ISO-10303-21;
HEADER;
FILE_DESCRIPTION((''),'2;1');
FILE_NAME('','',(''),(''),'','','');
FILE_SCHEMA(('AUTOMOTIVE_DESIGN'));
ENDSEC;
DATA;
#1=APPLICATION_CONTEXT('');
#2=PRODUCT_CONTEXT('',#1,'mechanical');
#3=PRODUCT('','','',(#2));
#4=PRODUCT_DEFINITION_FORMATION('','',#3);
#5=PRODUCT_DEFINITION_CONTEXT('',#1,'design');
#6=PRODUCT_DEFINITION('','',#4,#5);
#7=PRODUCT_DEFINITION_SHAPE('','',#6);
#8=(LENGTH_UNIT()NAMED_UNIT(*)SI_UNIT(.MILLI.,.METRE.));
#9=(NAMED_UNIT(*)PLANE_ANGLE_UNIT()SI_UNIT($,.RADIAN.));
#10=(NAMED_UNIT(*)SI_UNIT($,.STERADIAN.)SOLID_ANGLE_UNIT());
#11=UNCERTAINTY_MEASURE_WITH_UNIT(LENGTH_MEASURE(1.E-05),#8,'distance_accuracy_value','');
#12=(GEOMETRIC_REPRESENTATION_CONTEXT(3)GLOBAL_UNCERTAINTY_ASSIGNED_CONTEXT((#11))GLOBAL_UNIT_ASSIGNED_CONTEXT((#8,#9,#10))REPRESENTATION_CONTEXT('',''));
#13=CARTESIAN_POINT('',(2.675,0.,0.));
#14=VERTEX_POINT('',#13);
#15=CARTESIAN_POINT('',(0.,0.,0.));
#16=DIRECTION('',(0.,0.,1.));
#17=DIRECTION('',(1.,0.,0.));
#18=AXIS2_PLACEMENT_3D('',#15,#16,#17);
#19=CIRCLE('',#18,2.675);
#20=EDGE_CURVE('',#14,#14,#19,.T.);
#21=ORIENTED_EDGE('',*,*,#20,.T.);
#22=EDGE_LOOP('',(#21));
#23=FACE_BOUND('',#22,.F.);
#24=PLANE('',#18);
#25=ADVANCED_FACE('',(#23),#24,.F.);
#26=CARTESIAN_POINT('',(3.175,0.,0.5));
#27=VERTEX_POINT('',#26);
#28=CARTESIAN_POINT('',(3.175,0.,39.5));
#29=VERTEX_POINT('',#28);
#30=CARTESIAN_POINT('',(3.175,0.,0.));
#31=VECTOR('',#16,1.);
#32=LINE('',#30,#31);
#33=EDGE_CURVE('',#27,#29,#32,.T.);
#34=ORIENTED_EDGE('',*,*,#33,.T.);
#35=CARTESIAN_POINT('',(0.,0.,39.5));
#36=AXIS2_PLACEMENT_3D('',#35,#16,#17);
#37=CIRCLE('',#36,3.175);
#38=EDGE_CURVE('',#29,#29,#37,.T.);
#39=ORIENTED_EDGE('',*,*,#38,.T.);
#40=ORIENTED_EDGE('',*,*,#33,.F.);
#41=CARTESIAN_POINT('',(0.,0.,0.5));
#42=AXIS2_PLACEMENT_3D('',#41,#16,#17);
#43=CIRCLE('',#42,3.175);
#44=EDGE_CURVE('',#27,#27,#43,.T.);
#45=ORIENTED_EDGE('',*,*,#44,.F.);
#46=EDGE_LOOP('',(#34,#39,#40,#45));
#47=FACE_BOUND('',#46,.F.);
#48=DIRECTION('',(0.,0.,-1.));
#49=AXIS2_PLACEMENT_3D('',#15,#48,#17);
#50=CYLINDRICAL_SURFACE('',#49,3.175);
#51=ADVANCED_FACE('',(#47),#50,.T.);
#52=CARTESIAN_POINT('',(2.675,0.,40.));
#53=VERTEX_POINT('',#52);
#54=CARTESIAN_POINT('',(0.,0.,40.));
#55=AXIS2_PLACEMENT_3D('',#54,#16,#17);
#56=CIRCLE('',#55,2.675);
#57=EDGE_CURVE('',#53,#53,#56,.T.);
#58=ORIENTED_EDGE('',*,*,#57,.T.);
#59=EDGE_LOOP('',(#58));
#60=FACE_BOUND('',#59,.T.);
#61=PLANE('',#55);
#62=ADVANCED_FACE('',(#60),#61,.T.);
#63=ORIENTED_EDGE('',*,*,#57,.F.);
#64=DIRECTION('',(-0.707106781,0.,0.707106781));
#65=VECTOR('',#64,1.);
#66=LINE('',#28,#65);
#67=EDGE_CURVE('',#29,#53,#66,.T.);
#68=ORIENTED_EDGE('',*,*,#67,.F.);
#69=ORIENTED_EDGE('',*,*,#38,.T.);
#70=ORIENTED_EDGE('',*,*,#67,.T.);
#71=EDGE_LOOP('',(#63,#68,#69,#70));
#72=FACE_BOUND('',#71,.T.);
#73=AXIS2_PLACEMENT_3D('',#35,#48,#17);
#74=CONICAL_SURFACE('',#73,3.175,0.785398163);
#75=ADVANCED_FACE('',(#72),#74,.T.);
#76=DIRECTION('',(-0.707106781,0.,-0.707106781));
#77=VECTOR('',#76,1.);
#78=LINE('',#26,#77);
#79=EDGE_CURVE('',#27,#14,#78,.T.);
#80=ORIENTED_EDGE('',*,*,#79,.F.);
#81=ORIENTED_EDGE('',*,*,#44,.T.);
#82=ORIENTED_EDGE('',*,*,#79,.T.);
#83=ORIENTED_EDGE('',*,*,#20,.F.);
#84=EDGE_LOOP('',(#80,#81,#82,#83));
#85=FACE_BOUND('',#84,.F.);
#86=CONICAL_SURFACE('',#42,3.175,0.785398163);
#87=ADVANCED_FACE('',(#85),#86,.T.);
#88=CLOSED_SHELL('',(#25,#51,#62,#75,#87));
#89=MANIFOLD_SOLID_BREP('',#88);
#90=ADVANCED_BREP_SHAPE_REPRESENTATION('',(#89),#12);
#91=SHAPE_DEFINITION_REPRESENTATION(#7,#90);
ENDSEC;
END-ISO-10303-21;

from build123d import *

# Parameters (mm, degrees)
SKETCH_R     = 3.175
PAD_DEPTH    = 40
CHAMFER_SIZE = 0.5


with BuildPart() as part:
    # Sketch → Pad (new body)
    with BuildSketch(Plane.XY):
        Circle(SKETCH_R)
    extrude(amount=PAD_DEPTH)

    # Chamfer
    chamfer_edges = [part.edges().sort_by_distance(p)[0] for p in [
        (-3.175, 0, 40),
        (-3.175, 0, 0),
    ]]
    chamfer(chamfer_edges, length=CHAMFER_SIZE)


solid = part.part
